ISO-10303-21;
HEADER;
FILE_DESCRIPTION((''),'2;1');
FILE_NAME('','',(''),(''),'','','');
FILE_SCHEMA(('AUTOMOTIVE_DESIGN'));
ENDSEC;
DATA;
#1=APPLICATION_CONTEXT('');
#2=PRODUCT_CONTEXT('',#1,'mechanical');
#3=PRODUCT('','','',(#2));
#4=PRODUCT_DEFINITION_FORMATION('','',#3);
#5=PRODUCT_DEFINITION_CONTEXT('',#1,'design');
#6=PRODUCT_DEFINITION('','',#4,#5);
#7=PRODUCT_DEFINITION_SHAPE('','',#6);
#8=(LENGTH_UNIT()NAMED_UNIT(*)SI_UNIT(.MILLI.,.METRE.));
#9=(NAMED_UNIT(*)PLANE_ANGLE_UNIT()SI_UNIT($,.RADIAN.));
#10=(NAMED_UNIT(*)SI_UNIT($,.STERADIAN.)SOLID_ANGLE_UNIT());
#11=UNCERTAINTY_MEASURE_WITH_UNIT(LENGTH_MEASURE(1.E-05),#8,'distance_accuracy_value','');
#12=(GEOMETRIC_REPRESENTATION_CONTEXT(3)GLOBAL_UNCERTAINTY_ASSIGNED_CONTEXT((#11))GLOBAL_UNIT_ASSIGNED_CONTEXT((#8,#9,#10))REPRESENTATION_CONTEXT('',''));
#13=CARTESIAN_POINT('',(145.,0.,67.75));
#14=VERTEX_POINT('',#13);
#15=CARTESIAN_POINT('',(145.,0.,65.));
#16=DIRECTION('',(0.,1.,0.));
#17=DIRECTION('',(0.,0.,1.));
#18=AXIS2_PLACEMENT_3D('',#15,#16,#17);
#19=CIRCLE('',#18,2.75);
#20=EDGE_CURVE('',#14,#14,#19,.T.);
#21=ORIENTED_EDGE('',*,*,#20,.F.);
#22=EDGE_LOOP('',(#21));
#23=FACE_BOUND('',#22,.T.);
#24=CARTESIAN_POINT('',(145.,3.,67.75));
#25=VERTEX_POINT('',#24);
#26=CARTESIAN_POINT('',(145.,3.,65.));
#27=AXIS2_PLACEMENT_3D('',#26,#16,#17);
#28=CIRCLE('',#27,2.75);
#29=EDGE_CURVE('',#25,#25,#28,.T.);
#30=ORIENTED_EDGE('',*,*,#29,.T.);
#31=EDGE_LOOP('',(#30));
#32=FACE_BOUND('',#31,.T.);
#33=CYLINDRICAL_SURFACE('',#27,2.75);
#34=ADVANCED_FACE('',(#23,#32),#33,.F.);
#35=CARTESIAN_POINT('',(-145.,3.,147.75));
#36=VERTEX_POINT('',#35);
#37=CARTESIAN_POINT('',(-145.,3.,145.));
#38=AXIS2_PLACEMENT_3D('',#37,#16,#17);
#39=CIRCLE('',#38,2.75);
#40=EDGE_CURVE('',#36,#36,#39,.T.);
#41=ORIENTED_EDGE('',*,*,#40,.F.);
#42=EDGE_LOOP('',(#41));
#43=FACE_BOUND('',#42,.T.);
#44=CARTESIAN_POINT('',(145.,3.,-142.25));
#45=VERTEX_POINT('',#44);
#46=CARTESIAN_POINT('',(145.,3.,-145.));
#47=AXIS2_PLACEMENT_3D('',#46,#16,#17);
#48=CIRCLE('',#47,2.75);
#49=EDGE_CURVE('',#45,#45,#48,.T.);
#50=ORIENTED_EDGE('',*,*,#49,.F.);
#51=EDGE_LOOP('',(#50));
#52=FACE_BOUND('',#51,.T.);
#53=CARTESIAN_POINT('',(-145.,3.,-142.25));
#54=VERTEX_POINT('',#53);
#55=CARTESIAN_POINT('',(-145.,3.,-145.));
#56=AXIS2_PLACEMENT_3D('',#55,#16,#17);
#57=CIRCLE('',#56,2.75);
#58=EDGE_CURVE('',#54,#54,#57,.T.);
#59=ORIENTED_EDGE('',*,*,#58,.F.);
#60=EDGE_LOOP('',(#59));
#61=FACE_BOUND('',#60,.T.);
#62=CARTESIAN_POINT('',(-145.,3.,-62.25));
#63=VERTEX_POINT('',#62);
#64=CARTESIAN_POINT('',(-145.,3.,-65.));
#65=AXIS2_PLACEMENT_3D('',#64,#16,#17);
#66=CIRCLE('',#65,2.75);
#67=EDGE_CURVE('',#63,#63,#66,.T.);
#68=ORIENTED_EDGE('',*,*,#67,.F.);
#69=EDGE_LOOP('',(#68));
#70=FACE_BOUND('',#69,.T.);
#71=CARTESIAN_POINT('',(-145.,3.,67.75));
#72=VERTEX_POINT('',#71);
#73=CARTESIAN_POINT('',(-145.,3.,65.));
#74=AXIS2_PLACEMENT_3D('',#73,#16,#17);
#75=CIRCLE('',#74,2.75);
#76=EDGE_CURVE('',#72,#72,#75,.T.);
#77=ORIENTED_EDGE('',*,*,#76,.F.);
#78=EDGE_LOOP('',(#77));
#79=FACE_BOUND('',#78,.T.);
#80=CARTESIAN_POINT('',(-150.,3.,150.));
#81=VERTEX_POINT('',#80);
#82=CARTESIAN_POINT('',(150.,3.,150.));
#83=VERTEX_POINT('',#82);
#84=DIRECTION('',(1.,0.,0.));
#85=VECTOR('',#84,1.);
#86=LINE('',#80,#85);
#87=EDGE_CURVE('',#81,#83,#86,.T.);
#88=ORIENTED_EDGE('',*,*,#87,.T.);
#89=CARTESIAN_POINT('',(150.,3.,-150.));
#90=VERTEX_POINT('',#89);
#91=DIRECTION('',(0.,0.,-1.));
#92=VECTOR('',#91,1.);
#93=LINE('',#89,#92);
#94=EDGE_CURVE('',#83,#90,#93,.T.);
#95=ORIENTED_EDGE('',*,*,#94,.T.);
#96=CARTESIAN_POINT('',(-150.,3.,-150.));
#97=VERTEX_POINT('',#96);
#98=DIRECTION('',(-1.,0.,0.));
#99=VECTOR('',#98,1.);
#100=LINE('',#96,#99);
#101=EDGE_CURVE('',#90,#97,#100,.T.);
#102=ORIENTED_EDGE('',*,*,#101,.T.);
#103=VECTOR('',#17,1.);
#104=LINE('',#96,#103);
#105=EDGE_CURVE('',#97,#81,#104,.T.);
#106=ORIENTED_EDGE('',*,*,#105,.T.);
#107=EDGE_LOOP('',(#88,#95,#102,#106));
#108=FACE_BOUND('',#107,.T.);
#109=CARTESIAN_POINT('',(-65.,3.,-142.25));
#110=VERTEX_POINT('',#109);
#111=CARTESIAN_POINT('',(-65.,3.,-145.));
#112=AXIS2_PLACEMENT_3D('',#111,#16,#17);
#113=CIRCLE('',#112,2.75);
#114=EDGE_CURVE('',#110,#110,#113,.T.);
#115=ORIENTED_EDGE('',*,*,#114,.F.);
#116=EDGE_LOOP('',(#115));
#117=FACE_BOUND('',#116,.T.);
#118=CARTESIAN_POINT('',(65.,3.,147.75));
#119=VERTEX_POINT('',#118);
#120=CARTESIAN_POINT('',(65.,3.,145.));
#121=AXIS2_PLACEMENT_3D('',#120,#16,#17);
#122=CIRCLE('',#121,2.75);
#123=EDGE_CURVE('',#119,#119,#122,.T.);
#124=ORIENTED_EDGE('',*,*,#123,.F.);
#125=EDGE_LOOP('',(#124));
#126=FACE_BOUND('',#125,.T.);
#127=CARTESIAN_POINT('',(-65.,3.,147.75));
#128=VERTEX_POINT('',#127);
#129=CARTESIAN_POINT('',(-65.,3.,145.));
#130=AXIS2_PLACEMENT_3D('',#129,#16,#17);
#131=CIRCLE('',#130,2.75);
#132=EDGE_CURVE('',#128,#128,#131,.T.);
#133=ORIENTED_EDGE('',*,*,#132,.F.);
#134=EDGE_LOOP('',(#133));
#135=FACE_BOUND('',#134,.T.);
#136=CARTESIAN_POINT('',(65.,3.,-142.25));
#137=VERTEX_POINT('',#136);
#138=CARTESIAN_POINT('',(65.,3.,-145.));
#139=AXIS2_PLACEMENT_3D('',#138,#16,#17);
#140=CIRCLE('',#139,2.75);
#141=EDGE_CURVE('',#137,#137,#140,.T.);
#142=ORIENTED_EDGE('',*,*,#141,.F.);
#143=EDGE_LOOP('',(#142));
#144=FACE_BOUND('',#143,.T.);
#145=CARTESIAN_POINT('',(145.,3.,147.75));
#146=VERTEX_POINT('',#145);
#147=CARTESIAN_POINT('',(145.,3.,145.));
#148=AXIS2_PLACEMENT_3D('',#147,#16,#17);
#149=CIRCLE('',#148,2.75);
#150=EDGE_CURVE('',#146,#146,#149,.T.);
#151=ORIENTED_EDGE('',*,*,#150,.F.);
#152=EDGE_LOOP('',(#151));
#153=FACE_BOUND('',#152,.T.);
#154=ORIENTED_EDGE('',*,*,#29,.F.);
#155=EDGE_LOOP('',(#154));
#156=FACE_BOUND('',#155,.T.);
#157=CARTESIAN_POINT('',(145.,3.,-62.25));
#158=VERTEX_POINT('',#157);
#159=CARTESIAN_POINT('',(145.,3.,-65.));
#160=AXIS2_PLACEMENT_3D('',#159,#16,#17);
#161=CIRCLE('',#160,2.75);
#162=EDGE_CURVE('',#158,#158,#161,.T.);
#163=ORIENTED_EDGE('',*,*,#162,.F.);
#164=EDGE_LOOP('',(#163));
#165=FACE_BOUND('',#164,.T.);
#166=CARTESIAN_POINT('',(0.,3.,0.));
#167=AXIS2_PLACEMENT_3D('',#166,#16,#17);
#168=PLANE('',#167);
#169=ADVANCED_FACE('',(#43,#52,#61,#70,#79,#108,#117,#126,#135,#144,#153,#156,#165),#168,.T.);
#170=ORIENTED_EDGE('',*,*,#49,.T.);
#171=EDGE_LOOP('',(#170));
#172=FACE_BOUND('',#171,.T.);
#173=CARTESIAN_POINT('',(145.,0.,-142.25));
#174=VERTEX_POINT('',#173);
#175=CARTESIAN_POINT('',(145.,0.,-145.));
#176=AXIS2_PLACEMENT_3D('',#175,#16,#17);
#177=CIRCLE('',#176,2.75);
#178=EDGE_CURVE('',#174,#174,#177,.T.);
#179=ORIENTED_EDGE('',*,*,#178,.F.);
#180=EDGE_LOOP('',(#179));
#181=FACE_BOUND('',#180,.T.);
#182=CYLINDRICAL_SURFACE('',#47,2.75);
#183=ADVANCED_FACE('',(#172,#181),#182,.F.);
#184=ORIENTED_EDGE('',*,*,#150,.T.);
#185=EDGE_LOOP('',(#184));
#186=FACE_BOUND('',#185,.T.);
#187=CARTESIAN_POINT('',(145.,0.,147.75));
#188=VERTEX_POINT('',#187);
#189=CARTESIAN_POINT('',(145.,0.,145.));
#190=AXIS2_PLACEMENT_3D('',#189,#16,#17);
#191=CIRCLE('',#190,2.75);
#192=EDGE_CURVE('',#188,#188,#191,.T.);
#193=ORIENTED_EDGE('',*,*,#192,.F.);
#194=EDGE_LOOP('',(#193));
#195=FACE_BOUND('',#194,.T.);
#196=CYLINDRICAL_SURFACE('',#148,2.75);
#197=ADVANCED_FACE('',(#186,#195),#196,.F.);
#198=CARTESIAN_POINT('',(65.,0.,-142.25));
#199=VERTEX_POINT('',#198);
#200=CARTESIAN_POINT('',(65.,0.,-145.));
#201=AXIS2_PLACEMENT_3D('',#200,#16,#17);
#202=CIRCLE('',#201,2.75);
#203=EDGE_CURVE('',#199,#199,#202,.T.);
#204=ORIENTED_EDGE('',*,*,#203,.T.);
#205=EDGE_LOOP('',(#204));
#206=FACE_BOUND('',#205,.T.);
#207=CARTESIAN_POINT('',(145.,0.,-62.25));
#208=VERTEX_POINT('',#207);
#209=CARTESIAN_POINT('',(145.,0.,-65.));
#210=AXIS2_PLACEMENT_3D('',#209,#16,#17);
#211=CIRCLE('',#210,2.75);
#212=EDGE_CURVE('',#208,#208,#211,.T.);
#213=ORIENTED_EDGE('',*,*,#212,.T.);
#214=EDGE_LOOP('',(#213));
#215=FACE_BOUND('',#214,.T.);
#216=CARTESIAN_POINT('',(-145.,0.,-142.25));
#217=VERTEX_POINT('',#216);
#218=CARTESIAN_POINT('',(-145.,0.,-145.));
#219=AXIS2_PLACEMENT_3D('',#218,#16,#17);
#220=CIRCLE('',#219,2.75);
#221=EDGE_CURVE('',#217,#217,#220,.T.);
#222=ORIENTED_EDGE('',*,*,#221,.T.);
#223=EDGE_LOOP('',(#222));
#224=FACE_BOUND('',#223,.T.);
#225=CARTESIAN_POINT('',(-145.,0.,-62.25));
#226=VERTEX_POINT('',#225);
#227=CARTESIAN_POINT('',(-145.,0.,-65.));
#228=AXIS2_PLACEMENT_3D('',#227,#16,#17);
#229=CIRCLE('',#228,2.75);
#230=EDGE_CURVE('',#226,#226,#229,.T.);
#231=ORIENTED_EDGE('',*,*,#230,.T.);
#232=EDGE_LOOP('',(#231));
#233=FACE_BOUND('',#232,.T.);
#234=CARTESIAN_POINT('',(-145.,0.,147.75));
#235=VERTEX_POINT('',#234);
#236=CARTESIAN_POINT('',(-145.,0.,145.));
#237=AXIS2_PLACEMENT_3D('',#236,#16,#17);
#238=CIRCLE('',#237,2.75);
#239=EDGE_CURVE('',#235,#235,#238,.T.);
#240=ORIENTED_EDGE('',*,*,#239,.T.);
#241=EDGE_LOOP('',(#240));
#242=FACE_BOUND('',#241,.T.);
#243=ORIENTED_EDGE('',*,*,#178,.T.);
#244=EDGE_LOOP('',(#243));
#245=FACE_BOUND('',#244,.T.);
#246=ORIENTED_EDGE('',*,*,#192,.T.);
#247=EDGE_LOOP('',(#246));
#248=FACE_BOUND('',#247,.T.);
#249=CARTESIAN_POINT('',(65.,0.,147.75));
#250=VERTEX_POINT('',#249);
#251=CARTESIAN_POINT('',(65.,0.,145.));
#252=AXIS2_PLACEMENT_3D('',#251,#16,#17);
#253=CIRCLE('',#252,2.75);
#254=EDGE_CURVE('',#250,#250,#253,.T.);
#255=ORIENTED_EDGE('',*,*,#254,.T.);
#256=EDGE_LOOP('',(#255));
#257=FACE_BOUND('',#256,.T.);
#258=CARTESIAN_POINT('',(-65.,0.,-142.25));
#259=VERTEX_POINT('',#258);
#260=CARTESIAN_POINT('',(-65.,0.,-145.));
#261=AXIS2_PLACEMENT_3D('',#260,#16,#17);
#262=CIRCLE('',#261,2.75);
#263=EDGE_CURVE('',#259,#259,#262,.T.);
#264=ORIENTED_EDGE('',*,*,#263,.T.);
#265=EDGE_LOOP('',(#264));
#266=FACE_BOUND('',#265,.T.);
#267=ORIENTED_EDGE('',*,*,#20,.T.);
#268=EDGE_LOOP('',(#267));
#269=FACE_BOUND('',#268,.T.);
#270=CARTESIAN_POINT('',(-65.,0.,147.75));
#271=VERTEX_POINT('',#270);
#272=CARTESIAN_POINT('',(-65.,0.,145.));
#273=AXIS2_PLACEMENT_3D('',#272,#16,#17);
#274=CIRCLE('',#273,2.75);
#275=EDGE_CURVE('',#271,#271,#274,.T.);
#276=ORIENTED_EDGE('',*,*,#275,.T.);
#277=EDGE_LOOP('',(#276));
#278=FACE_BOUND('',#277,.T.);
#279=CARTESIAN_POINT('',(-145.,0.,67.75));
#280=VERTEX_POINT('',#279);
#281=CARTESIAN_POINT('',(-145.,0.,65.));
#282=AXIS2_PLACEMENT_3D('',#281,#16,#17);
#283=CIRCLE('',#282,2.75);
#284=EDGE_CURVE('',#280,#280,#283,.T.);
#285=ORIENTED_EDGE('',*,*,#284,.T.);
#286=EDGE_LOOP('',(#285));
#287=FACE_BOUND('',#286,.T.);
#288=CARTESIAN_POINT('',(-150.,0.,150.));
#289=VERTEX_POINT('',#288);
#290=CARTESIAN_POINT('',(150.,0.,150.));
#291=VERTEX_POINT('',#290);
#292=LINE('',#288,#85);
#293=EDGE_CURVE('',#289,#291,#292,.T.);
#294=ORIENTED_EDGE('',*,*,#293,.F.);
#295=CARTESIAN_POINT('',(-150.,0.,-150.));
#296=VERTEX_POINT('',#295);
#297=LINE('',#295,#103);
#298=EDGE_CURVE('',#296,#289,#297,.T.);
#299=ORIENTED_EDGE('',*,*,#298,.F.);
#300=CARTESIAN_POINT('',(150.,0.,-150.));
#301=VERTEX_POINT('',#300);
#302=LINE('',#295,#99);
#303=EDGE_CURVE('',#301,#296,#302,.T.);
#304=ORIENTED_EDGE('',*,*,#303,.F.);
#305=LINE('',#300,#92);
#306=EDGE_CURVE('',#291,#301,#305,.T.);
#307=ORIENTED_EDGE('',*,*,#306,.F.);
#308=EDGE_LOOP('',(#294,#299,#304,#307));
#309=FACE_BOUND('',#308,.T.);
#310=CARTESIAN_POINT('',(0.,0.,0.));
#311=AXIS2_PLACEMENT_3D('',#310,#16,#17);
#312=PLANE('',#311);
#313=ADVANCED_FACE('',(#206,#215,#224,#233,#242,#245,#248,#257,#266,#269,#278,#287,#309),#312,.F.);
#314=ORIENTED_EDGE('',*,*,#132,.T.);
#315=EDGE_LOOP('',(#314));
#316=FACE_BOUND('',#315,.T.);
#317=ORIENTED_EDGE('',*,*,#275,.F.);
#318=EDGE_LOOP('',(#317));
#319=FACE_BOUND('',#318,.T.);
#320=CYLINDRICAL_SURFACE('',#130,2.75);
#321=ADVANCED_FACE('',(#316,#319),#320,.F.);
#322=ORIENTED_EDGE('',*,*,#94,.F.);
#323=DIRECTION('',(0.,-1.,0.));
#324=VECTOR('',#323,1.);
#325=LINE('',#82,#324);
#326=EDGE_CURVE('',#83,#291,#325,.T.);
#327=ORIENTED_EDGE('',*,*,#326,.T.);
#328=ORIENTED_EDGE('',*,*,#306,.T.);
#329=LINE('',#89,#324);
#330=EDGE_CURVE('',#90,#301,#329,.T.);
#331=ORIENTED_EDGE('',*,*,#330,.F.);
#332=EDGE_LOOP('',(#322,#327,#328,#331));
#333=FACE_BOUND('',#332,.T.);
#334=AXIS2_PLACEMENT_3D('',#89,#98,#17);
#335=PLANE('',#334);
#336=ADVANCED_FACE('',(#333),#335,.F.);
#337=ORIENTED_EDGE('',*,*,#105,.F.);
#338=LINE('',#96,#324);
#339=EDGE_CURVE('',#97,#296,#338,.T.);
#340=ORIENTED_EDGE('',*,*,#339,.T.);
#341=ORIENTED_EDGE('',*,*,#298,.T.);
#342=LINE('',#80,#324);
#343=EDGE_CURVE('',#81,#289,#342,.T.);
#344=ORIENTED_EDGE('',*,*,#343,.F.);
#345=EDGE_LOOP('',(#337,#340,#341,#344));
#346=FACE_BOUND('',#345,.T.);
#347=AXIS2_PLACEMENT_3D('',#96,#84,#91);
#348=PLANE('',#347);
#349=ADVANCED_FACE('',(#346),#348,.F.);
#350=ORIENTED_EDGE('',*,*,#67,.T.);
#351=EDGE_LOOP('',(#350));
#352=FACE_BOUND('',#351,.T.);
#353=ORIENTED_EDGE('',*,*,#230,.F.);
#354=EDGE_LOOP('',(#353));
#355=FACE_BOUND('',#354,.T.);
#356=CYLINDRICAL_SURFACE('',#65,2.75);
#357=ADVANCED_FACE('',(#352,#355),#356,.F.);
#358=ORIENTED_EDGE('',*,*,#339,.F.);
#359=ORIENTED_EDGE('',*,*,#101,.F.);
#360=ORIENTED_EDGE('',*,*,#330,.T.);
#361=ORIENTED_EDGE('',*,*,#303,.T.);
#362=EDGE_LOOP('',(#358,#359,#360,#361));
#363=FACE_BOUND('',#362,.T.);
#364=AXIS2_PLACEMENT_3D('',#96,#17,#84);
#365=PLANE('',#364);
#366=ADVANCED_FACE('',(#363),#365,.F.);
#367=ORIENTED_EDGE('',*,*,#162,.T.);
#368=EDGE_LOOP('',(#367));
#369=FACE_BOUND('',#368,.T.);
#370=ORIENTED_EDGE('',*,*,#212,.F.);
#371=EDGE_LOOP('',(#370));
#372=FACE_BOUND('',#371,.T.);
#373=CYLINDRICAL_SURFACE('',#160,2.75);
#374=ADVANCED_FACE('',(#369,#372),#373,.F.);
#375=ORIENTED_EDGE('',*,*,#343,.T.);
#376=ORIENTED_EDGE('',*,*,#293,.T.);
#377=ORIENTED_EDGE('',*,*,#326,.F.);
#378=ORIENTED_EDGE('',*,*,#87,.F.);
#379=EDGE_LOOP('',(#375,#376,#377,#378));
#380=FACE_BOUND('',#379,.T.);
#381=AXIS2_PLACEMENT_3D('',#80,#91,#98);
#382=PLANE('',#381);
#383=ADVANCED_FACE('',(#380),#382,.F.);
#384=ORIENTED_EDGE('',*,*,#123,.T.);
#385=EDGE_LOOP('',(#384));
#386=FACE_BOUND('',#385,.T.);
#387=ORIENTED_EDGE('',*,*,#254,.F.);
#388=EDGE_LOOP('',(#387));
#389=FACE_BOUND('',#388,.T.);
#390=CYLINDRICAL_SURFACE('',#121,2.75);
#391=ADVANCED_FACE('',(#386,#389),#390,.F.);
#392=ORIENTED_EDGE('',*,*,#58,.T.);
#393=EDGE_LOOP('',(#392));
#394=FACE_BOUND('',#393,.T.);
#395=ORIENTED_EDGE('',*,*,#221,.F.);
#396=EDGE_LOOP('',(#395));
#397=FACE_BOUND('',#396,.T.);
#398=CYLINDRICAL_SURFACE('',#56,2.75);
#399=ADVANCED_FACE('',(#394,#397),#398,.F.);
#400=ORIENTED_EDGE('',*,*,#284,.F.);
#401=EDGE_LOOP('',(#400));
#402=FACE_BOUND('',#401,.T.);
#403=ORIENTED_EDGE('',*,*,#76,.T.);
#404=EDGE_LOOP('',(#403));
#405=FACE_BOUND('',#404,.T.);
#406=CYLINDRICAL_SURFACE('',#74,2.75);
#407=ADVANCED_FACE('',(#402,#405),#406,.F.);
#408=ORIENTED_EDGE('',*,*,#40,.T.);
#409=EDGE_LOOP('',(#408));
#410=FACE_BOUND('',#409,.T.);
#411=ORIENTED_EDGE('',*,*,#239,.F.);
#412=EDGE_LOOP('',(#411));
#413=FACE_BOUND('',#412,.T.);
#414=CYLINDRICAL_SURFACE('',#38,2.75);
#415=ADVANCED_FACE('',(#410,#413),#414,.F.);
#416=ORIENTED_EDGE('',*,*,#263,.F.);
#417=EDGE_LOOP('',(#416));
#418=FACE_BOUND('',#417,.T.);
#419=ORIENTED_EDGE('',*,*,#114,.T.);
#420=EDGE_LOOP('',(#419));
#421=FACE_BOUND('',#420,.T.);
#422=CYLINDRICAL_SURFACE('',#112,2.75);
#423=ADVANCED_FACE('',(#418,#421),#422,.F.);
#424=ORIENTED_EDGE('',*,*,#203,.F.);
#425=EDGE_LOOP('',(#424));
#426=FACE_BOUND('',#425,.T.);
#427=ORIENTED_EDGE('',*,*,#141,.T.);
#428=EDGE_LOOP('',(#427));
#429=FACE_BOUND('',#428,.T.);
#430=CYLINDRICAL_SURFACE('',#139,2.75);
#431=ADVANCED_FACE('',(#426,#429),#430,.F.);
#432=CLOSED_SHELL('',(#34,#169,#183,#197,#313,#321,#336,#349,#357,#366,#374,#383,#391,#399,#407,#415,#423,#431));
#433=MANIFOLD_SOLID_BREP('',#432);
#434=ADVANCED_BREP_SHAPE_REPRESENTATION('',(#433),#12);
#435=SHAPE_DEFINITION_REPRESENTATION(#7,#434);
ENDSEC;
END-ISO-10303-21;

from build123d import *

# Parameters (mm, degrees)
SKETCH1_W                = 300
SKETCH1_H                = 300
BOSS_EXTRUDE1_DEPTH      = 3
M5_CLEARANCE_HOLE1_D     = 5.5
M5_CLEARANCE_HOLE1_DEPTH = 10
M5_CLEARANCE_HOLE1_TIP   = 1.652366702


with BuildPart() as part:
    # Sketch1 → Boss-Extrude1 (new body)
    with BuildSketch(Plane(origin=(0, 0, 0), x_dir=(1, 0, 0), z_dir=(0, 1, 0))):
        Rectangle(SKETCH1_W, SKETCH1_H)
    extrude(amount=BOSS_EXTRUDE1_DEPTH)

    # M5 Clearance Hole1
    with Locations(Plane(origin=(0, 3, 0), x_dir=(1, 0, 0), z_dir=(0, 1, 0))):
        with Locations((-145, 145), (145, -145), (-145, -145), (145, 145), (-65, 145), (65, 145), (65, -145), (-65, -145), (-145, 65), (-145, -65), (145, 65), (145, -65)):
            Hole(M5_CLEARANCE_HOLE1_D / 2, depth=M5_CLEARANCE_HOLE1_DEPTH)
            with Locations((0, 0, -(M5_CLEARANCE_HOLE1_DEPTH + M5_CLEARANCE_HOLE1_TIP / 2))):  # 118° drill point
                Cone(0, M5_CLEARANCE_HOLE1_D / 2, M5_CLEARANCE_HOLE1_TIP, mode=Mode.SUBTRACT)


solid = part.part
